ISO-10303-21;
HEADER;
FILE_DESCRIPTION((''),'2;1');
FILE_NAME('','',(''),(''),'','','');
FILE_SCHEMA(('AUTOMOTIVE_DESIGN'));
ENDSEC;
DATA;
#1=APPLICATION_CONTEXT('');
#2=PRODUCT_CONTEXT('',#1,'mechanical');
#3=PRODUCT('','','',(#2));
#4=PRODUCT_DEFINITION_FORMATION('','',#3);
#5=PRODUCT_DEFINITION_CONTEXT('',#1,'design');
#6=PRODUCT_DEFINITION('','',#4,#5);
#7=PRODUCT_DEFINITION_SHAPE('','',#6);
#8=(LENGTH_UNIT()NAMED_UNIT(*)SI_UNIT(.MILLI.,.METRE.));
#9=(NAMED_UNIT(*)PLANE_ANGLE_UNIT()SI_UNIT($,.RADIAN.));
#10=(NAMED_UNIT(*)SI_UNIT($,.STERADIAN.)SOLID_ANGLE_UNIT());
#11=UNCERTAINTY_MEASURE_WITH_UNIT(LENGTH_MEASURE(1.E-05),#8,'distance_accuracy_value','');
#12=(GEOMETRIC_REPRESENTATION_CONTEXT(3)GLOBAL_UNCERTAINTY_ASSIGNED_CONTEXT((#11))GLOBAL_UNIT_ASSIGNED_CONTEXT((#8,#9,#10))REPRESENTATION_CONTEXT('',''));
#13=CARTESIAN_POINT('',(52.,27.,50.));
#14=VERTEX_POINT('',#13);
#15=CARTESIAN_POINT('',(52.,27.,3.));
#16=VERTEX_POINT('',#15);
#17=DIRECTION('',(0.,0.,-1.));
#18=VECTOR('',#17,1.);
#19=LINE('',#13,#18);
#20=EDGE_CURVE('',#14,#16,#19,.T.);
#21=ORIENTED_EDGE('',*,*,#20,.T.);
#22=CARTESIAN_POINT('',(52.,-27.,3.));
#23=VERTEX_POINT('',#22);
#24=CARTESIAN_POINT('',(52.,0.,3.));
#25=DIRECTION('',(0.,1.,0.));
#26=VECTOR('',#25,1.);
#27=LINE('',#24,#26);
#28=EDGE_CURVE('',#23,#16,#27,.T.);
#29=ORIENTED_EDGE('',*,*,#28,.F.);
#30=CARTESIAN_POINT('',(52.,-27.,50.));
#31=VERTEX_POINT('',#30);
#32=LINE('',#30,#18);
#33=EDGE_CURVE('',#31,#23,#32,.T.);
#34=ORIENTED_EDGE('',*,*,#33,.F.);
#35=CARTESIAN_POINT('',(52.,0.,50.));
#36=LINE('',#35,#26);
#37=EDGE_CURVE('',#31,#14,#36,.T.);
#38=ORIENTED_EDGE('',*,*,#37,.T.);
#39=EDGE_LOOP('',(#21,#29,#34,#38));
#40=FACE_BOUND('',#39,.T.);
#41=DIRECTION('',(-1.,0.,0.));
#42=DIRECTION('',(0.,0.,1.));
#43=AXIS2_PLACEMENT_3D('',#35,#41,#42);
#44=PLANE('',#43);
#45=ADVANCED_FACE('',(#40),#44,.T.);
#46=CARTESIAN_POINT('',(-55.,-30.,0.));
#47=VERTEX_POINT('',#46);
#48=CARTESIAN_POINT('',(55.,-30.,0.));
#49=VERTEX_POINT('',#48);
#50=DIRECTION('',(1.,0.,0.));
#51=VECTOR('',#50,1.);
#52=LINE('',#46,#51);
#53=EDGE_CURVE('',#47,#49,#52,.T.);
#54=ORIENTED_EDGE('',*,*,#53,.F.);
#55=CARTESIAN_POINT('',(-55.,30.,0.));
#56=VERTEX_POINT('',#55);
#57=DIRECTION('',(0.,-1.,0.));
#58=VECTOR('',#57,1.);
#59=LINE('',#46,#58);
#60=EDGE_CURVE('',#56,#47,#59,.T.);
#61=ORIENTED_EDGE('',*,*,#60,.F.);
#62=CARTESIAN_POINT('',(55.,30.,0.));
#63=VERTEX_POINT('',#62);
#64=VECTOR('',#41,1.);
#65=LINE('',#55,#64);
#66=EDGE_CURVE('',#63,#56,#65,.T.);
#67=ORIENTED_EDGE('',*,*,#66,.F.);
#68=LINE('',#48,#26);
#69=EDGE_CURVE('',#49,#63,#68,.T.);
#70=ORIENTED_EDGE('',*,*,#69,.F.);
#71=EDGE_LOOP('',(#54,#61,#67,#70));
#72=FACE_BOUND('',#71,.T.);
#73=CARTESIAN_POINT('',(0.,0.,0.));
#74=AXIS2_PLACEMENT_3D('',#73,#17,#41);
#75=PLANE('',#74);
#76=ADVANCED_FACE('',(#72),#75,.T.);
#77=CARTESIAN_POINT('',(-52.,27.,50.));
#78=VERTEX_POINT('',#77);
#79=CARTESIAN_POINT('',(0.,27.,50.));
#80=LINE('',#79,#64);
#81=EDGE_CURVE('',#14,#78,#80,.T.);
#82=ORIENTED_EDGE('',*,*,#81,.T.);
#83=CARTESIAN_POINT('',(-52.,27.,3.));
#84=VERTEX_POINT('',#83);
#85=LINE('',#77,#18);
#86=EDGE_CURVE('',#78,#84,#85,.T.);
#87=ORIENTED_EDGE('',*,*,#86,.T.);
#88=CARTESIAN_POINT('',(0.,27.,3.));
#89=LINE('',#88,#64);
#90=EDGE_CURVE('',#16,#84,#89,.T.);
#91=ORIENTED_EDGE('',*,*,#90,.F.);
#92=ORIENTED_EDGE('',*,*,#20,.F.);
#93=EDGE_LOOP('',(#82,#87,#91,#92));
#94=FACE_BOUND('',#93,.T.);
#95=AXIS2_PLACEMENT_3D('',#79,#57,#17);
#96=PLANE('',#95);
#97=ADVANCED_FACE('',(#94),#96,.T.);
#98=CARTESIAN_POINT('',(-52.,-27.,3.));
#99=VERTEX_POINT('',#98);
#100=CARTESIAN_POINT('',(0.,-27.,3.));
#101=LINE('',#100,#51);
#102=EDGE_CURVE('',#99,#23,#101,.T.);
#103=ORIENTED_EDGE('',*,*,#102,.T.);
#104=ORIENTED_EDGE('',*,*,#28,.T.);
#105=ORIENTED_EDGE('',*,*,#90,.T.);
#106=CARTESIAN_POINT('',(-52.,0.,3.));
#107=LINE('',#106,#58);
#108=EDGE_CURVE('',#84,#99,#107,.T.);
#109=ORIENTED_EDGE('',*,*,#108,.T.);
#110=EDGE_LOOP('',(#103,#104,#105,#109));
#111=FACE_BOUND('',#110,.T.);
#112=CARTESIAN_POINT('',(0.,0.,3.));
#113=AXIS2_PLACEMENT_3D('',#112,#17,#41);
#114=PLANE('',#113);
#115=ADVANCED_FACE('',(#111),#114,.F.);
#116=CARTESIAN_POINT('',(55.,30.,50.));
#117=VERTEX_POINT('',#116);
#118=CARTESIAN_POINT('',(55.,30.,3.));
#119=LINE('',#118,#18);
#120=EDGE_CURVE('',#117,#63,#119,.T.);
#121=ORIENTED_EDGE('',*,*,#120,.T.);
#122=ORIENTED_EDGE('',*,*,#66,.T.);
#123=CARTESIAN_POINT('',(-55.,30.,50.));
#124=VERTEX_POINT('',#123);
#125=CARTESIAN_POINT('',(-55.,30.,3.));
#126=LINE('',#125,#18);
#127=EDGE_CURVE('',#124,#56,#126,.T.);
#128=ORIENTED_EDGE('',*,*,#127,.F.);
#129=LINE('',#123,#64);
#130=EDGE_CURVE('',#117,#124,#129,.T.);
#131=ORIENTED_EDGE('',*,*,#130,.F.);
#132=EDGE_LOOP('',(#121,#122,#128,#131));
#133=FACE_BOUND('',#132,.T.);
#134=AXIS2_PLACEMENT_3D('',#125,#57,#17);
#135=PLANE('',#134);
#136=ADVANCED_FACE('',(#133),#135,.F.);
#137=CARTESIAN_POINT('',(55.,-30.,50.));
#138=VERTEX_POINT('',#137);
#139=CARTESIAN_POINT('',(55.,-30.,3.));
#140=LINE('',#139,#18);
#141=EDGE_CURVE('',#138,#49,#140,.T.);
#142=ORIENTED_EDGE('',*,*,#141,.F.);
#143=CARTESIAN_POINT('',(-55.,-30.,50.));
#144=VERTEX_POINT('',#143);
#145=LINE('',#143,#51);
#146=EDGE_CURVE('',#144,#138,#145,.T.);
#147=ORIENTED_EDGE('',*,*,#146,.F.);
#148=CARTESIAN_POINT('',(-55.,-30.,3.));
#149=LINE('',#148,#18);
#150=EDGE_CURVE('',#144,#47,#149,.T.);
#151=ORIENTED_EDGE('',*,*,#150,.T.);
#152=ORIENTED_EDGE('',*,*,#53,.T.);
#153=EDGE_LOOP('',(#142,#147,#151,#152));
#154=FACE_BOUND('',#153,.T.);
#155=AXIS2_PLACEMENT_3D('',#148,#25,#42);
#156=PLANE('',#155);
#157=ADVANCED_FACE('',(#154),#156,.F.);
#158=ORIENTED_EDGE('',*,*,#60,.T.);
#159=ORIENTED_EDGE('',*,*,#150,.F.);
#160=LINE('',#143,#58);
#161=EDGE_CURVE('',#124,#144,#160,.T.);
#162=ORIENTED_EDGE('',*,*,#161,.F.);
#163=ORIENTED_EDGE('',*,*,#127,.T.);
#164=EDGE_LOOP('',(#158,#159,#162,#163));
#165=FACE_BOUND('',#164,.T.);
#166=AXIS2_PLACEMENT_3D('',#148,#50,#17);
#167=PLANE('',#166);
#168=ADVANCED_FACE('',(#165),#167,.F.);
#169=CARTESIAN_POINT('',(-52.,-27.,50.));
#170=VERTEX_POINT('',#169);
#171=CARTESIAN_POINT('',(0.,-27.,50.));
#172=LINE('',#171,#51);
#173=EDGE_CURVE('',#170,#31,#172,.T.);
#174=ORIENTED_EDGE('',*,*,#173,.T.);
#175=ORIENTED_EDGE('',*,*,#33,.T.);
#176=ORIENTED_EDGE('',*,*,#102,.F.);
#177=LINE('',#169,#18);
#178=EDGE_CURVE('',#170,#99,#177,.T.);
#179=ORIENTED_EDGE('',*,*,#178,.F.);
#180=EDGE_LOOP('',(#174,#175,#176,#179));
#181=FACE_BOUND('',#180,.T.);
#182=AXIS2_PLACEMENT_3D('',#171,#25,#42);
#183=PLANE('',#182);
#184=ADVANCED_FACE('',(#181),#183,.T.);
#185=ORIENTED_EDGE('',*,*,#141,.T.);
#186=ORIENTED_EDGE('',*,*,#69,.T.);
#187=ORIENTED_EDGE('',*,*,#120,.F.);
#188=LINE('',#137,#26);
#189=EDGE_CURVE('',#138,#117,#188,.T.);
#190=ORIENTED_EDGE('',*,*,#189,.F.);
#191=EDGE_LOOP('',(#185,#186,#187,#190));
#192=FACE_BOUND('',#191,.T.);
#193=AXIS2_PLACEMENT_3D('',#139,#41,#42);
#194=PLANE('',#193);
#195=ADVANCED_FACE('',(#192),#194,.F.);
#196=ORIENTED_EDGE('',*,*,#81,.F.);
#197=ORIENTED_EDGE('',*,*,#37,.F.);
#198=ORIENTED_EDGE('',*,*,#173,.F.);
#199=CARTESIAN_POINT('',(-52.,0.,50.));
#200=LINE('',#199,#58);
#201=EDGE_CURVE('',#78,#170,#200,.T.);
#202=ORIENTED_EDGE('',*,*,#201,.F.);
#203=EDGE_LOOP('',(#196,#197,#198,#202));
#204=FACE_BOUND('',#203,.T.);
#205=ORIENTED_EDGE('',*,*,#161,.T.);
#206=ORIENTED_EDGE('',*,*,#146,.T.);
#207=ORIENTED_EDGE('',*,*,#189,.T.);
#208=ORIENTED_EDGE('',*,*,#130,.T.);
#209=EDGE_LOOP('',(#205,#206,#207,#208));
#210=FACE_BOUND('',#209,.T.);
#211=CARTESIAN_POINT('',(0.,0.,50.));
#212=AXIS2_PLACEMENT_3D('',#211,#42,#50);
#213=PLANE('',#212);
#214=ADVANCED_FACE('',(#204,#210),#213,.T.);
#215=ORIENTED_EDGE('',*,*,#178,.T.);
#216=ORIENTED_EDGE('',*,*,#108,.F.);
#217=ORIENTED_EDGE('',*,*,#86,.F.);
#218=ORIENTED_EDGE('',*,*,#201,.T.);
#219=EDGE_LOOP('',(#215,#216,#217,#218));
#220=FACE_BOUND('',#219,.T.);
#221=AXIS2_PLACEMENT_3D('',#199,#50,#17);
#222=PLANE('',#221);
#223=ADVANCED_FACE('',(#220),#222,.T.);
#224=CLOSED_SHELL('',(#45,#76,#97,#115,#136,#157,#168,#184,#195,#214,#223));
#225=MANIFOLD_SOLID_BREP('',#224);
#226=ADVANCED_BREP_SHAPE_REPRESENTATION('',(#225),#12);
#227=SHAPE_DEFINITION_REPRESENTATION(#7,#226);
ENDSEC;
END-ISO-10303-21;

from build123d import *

# Parameters (mm, degrees)
SKETCH_1_W        = 110
SKETCH_1_H        = 60
EXTRUDE_2_DEPTH   = 3
SKETCH_2_W        = 110
SKETCH_2_H        = 60
SKETCH_2_W_2      = 104
SKETCH_2_H_2      = 54
EXTRUDE_2_2_DEPTH = 47


with BuildPart() as part:
    # 스케치1 → Extrude 2 (new body)
    with BuildSketch(Plane.XY):
        Rectangle(SKETCH_1_W, SKETCH_1_H)
    extrude(amount=EXTRUDE_2_DEPTH)

    # 스케치2 → Extrude 2 2 (add)
    with BuildSketch(Plane.XY.offset(3)):
        Rectangle(SKETCH_2_W, SKETCH_2_H)
        Rectangle(SKETCH_2_W_2, SKETCH_2_H_2, mode=Mode.SUBTRACT)
    extrude(amount=EXTRUDE_2_2_DEPTH)


solid = part.part
